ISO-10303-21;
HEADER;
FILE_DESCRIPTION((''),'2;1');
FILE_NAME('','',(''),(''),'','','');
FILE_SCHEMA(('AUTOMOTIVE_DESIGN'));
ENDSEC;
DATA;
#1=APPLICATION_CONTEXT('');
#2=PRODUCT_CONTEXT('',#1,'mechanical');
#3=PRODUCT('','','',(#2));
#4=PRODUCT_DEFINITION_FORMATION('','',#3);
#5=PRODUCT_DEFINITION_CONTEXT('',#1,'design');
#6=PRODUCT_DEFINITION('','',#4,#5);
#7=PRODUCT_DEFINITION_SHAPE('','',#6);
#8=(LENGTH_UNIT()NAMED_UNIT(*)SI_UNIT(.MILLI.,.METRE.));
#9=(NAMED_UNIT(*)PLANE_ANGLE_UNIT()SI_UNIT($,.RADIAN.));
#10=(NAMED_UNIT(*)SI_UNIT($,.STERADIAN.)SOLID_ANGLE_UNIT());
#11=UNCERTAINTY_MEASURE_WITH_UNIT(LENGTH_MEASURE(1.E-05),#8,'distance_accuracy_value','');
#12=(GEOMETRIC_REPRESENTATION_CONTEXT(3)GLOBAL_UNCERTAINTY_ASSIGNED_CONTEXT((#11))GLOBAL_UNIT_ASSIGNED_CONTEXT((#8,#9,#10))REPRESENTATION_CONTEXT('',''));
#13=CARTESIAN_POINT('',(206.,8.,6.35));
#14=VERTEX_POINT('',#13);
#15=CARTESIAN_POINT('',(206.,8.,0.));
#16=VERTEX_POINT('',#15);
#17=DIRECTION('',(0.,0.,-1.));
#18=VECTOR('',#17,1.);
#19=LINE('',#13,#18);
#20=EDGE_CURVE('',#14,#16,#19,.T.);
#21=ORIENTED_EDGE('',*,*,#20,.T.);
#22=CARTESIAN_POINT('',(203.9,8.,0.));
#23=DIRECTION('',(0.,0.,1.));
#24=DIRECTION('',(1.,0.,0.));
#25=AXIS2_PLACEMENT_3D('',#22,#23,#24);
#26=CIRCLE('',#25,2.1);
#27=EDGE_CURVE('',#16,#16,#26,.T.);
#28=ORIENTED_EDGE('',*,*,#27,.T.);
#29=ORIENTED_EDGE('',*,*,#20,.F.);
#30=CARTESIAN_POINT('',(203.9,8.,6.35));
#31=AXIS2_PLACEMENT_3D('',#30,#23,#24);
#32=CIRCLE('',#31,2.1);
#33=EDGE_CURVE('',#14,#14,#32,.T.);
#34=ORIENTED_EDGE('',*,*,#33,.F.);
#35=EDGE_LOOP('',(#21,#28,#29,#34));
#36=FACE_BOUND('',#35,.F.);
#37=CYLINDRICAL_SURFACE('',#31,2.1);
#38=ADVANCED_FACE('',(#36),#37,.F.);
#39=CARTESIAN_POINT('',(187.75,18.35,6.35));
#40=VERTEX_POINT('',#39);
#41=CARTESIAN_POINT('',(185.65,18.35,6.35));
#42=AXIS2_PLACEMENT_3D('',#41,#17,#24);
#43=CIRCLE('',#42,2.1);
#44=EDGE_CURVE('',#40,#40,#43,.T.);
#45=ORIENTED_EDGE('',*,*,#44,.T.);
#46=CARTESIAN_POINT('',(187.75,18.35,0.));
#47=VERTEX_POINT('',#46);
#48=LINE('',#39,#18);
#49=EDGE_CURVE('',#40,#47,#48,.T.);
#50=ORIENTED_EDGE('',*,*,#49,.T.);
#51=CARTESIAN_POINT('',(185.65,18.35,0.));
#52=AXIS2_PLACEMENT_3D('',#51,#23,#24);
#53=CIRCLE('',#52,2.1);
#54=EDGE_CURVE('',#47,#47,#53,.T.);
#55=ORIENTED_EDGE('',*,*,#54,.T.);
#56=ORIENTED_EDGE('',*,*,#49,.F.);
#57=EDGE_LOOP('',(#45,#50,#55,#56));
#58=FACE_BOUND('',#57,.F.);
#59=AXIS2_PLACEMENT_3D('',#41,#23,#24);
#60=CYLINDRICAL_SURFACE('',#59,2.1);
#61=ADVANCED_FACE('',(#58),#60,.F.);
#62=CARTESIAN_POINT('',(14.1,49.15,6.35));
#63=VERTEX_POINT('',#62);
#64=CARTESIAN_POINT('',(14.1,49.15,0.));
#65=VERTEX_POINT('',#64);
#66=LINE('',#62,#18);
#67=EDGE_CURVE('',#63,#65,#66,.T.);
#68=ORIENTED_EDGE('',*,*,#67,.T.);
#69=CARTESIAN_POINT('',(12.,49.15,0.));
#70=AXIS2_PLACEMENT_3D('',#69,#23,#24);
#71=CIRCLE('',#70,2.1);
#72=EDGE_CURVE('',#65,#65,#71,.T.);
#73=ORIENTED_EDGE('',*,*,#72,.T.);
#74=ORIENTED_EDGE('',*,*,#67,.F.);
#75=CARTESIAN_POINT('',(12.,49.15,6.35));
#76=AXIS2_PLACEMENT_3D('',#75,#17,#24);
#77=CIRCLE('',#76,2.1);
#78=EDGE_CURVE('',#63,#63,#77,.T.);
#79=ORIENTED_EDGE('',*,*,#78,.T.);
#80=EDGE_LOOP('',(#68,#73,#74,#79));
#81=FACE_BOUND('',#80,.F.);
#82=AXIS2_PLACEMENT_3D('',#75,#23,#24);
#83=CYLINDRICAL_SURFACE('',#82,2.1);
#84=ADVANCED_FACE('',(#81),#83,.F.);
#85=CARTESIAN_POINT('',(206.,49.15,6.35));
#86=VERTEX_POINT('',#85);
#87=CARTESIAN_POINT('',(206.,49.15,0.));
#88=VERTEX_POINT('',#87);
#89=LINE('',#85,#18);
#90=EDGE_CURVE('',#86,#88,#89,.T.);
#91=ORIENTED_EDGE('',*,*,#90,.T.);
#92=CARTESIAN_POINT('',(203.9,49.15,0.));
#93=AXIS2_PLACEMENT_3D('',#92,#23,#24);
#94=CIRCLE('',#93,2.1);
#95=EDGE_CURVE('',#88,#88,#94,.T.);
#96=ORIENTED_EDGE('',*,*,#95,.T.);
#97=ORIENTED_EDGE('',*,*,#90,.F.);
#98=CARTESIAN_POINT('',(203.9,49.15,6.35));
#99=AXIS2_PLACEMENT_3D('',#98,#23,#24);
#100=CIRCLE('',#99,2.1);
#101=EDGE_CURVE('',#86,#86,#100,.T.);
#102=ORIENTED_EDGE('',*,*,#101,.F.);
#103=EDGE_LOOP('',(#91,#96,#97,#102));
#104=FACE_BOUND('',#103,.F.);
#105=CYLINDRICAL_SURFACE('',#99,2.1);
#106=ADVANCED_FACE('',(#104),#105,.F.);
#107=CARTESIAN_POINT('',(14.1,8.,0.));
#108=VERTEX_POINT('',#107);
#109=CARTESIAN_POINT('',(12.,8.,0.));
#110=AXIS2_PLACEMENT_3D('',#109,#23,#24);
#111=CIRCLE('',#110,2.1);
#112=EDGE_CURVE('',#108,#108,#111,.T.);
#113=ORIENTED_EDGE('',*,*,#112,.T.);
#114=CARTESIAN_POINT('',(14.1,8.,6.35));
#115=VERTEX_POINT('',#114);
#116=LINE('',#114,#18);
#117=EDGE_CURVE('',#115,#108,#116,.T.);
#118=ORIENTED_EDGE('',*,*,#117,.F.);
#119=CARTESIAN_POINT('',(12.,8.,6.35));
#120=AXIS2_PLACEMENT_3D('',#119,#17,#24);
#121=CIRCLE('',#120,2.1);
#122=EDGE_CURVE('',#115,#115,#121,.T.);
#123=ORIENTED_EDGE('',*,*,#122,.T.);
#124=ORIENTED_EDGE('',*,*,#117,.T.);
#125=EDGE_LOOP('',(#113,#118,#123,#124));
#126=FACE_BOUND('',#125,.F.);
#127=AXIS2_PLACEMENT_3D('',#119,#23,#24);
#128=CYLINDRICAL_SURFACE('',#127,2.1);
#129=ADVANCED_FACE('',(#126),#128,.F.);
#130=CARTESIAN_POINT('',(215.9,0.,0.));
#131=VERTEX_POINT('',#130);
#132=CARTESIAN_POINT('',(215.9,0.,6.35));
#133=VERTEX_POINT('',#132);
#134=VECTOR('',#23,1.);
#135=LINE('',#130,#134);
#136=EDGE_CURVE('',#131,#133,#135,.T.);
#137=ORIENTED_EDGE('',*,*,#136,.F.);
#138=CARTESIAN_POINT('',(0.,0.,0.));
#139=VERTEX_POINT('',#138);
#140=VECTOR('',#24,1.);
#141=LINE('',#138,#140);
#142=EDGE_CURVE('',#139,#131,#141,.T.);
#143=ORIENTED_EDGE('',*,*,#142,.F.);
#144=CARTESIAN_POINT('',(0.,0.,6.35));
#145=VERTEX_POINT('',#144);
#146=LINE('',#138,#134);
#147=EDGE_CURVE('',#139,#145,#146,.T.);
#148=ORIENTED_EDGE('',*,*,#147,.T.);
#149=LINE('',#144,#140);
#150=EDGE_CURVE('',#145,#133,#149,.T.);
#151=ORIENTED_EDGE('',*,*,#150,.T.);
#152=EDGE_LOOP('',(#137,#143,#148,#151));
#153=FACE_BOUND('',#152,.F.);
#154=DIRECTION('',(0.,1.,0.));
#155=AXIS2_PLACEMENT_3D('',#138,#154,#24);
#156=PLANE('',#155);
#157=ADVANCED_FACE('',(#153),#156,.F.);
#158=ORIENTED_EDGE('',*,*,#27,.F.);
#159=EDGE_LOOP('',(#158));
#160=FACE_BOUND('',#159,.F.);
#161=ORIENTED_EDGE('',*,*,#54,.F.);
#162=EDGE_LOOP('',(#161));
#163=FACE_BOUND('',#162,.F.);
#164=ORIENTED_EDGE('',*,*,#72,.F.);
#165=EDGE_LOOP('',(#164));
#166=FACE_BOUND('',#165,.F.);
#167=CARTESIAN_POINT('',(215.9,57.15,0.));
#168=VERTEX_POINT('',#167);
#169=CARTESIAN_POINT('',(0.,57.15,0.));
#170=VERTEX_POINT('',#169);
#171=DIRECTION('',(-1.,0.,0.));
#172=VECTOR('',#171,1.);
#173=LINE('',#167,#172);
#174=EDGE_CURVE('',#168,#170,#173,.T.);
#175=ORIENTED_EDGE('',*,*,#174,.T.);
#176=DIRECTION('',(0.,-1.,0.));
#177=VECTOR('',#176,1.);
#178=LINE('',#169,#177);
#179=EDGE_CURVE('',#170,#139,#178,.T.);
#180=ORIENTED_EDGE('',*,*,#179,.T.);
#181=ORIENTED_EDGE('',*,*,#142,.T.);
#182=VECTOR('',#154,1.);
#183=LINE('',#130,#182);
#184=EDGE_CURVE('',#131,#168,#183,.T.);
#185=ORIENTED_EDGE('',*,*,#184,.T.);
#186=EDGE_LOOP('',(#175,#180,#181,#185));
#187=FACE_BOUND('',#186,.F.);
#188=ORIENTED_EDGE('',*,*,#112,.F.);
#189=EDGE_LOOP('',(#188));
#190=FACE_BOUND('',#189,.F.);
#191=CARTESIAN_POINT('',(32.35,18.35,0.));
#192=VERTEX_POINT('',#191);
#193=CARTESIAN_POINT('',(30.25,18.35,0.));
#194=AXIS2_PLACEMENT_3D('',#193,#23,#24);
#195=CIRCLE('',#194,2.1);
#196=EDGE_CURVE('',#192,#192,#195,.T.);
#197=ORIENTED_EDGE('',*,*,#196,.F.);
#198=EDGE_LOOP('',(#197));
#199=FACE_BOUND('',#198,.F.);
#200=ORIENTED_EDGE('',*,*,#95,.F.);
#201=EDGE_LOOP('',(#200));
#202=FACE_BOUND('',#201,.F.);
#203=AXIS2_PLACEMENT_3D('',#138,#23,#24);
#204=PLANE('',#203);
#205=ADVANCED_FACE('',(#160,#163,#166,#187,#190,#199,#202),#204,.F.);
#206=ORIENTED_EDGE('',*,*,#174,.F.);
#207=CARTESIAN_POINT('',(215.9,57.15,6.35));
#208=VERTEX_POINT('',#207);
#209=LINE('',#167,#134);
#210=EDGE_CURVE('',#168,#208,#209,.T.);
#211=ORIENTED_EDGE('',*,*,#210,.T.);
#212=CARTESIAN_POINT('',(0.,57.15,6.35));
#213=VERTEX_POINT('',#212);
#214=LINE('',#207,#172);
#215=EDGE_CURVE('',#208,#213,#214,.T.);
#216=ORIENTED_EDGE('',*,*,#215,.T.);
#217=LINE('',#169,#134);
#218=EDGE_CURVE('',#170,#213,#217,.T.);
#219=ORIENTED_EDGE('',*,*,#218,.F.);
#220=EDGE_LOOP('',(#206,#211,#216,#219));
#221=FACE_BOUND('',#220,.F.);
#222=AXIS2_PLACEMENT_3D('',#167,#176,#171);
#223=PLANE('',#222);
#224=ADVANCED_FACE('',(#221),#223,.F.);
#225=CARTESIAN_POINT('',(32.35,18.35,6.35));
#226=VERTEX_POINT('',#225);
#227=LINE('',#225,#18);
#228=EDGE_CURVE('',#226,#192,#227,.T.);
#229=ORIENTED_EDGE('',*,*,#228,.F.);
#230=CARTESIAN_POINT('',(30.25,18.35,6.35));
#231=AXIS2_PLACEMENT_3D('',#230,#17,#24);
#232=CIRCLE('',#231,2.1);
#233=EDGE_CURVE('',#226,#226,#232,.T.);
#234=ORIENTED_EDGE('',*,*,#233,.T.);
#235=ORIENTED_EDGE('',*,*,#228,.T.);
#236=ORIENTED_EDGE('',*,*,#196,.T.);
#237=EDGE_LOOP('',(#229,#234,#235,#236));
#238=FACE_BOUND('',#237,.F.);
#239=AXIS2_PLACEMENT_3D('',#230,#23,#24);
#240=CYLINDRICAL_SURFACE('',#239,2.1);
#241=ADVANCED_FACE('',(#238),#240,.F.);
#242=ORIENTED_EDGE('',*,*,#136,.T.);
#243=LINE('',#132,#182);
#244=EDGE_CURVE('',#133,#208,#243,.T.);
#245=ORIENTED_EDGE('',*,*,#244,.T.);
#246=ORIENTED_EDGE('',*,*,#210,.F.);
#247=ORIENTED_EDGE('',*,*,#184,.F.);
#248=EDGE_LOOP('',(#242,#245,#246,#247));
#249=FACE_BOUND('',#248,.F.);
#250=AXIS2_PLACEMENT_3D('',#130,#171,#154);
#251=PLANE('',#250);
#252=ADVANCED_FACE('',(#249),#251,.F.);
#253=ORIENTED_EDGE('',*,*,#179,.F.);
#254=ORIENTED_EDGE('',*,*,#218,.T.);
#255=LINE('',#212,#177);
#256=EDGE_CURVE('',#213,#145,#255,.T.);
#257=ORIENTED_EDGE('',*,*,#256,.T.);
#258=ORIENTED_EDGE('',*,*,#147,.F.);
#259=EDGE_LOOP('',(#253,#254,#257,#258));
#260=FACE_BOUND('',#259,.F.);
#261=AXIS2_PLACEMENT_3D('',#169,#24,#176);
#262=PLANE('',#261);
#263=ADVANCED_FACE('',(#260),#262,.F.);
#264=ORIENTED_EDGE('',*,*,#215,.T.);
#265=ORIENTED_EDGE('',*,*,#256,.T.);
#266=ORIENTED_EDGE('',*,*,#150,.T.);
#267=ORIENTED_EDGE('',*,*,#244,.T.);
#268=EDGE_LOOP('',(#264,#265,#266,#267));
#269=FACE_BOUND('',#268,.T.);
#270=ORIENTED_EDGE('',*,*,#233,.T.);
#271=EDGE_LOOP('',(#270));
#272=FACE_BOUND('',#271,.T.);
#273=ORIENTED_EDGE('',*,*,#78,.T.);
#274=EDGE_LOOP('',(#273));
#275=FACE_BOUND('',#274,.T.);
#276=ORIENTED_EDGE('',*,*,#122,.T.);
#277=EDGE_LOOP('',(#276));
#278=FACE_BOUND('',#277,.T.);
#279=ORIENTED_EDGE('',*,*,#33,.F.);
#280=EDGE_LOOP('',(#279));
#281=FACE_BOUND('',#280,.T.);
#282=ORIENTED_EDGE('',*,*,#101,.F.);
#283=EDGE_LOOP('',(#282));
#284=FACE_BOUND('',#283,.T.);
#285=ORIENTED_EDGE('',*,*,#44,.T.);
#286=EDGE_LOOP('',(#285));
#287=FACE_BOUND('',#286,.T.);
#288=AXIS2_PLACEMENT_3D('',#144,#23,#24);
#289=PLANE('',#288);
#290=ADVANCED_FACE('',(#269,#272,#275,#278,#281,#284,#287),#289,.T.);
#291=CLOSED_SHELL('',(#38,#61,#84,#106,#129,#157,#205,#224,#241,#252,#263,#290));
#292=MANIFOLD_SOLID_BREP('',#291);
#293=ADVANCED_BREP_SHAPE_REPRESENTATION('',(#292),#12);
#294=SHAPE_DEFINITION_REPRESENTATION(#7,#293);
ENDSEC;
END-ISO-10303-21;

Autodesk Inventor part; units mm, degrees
ref_plane "YZ Plane" through (0, 0, 0) normal (1, 0, 0) x (0, 1, 0)
ref_plane "XZ Plane" through (0, 0, 0) normal (0, 1, 0) x (-1, 0, 0)
ref_plane "XY Plane" through (0, 0, 0) normal (0, 0, 1) x (1, 0, 0)
sketch "Sketch1" plane through (0, 0, 0) normal (0, 0, 1) x (1, 0, 0)
  line L0 (0, 0) -> (215.9, 0)
  line L1 (215.9, 0) -> (215.9, 57.15)
  line L2 (215.9, 57.15) -> (0, 57.15)
  line L3 (0, 57.15) -> (0, 0)
  dimension "d0" = 215.9
  dimension "d1" = 57.15
extrude "Extrusion1" add sketch "Sketch1" along normal blind 6.35
sketch "Sketch2" plane through (0, 0, 6.35) normal (0, 0, 1) x (1, 0, 0)
  line L0 (0, 57.15) -> (0, 0) projected
  line L1 (0, 57.15) -> (0, 49.15)
  line L2 (0, 49.15) -> (12, 49.15)
  circle A0 centre (12, 49.15) radius 2.1
  line L3 (0, 0) -> (0, 8)
  line L4 (0, 8) -> (12, 8)
  circle A1 centre (12, 8) radius 2.1
  line L5 (215.9, 0) -> (215.9, 57.15) projected
  line L6 (215.9, 57.15) -> (215.9, 49.15)
  line L7 (215.9, 49.15) -> (203.9, 49.15)
  circle A2 centre (203.9, 49.15) radius 2.1
  line L8 (215.9, 0) -> (215.9, 8)
  line L9 (215.9, 8) -> (203.9, 8)
  circle A3 centre (203.9, 8) radius 2.1
  dimension "d4" = 8
  dimension "d5" = 12
  dimension "d6" = 4.2
  dimension "d7" = 8
  dimension "d8" = 12
  dimension "d9" = 4.2
  dimension "d10" = 12
  dimension "d11" = 4.2
  dimension "d12" = 12
  dimension "d13" = 4.2
extrude "Extrusion2" cut sketch "Sketch2" against normal through all
sketch "Sketch3" plane through (0, 0, 6.35) normal (0, 0, 1) x (1, 0, 0)
  line L0 (0, 0) -> (30.25, 0)
  line L1 (0, 0) -> (215.9, 0) projected
  line L2 (30.25, 0) -> (30.25, 18.35)
  circle A0 centre (30.25, 18.35) radius 2.1
  line L3 (215.9, 0) -> (185.65, 0)
  line L4 (185.65, 0) -> (185.65, 18.35)
  circle A1 centre (185.65, 18.35) radius 2.1
  dimension "d16" = 30.25
  dimension "d17" = 18.35
  dimension "d18" = 4.2
  dimension "d19" = 30.25
  dimension "d20" = 18.35
  dimension "d21" = 4.2
extrude "Extrusion3" cut sketch "Sketch3" against normal blind 25.4
properties part number "SideRail"
